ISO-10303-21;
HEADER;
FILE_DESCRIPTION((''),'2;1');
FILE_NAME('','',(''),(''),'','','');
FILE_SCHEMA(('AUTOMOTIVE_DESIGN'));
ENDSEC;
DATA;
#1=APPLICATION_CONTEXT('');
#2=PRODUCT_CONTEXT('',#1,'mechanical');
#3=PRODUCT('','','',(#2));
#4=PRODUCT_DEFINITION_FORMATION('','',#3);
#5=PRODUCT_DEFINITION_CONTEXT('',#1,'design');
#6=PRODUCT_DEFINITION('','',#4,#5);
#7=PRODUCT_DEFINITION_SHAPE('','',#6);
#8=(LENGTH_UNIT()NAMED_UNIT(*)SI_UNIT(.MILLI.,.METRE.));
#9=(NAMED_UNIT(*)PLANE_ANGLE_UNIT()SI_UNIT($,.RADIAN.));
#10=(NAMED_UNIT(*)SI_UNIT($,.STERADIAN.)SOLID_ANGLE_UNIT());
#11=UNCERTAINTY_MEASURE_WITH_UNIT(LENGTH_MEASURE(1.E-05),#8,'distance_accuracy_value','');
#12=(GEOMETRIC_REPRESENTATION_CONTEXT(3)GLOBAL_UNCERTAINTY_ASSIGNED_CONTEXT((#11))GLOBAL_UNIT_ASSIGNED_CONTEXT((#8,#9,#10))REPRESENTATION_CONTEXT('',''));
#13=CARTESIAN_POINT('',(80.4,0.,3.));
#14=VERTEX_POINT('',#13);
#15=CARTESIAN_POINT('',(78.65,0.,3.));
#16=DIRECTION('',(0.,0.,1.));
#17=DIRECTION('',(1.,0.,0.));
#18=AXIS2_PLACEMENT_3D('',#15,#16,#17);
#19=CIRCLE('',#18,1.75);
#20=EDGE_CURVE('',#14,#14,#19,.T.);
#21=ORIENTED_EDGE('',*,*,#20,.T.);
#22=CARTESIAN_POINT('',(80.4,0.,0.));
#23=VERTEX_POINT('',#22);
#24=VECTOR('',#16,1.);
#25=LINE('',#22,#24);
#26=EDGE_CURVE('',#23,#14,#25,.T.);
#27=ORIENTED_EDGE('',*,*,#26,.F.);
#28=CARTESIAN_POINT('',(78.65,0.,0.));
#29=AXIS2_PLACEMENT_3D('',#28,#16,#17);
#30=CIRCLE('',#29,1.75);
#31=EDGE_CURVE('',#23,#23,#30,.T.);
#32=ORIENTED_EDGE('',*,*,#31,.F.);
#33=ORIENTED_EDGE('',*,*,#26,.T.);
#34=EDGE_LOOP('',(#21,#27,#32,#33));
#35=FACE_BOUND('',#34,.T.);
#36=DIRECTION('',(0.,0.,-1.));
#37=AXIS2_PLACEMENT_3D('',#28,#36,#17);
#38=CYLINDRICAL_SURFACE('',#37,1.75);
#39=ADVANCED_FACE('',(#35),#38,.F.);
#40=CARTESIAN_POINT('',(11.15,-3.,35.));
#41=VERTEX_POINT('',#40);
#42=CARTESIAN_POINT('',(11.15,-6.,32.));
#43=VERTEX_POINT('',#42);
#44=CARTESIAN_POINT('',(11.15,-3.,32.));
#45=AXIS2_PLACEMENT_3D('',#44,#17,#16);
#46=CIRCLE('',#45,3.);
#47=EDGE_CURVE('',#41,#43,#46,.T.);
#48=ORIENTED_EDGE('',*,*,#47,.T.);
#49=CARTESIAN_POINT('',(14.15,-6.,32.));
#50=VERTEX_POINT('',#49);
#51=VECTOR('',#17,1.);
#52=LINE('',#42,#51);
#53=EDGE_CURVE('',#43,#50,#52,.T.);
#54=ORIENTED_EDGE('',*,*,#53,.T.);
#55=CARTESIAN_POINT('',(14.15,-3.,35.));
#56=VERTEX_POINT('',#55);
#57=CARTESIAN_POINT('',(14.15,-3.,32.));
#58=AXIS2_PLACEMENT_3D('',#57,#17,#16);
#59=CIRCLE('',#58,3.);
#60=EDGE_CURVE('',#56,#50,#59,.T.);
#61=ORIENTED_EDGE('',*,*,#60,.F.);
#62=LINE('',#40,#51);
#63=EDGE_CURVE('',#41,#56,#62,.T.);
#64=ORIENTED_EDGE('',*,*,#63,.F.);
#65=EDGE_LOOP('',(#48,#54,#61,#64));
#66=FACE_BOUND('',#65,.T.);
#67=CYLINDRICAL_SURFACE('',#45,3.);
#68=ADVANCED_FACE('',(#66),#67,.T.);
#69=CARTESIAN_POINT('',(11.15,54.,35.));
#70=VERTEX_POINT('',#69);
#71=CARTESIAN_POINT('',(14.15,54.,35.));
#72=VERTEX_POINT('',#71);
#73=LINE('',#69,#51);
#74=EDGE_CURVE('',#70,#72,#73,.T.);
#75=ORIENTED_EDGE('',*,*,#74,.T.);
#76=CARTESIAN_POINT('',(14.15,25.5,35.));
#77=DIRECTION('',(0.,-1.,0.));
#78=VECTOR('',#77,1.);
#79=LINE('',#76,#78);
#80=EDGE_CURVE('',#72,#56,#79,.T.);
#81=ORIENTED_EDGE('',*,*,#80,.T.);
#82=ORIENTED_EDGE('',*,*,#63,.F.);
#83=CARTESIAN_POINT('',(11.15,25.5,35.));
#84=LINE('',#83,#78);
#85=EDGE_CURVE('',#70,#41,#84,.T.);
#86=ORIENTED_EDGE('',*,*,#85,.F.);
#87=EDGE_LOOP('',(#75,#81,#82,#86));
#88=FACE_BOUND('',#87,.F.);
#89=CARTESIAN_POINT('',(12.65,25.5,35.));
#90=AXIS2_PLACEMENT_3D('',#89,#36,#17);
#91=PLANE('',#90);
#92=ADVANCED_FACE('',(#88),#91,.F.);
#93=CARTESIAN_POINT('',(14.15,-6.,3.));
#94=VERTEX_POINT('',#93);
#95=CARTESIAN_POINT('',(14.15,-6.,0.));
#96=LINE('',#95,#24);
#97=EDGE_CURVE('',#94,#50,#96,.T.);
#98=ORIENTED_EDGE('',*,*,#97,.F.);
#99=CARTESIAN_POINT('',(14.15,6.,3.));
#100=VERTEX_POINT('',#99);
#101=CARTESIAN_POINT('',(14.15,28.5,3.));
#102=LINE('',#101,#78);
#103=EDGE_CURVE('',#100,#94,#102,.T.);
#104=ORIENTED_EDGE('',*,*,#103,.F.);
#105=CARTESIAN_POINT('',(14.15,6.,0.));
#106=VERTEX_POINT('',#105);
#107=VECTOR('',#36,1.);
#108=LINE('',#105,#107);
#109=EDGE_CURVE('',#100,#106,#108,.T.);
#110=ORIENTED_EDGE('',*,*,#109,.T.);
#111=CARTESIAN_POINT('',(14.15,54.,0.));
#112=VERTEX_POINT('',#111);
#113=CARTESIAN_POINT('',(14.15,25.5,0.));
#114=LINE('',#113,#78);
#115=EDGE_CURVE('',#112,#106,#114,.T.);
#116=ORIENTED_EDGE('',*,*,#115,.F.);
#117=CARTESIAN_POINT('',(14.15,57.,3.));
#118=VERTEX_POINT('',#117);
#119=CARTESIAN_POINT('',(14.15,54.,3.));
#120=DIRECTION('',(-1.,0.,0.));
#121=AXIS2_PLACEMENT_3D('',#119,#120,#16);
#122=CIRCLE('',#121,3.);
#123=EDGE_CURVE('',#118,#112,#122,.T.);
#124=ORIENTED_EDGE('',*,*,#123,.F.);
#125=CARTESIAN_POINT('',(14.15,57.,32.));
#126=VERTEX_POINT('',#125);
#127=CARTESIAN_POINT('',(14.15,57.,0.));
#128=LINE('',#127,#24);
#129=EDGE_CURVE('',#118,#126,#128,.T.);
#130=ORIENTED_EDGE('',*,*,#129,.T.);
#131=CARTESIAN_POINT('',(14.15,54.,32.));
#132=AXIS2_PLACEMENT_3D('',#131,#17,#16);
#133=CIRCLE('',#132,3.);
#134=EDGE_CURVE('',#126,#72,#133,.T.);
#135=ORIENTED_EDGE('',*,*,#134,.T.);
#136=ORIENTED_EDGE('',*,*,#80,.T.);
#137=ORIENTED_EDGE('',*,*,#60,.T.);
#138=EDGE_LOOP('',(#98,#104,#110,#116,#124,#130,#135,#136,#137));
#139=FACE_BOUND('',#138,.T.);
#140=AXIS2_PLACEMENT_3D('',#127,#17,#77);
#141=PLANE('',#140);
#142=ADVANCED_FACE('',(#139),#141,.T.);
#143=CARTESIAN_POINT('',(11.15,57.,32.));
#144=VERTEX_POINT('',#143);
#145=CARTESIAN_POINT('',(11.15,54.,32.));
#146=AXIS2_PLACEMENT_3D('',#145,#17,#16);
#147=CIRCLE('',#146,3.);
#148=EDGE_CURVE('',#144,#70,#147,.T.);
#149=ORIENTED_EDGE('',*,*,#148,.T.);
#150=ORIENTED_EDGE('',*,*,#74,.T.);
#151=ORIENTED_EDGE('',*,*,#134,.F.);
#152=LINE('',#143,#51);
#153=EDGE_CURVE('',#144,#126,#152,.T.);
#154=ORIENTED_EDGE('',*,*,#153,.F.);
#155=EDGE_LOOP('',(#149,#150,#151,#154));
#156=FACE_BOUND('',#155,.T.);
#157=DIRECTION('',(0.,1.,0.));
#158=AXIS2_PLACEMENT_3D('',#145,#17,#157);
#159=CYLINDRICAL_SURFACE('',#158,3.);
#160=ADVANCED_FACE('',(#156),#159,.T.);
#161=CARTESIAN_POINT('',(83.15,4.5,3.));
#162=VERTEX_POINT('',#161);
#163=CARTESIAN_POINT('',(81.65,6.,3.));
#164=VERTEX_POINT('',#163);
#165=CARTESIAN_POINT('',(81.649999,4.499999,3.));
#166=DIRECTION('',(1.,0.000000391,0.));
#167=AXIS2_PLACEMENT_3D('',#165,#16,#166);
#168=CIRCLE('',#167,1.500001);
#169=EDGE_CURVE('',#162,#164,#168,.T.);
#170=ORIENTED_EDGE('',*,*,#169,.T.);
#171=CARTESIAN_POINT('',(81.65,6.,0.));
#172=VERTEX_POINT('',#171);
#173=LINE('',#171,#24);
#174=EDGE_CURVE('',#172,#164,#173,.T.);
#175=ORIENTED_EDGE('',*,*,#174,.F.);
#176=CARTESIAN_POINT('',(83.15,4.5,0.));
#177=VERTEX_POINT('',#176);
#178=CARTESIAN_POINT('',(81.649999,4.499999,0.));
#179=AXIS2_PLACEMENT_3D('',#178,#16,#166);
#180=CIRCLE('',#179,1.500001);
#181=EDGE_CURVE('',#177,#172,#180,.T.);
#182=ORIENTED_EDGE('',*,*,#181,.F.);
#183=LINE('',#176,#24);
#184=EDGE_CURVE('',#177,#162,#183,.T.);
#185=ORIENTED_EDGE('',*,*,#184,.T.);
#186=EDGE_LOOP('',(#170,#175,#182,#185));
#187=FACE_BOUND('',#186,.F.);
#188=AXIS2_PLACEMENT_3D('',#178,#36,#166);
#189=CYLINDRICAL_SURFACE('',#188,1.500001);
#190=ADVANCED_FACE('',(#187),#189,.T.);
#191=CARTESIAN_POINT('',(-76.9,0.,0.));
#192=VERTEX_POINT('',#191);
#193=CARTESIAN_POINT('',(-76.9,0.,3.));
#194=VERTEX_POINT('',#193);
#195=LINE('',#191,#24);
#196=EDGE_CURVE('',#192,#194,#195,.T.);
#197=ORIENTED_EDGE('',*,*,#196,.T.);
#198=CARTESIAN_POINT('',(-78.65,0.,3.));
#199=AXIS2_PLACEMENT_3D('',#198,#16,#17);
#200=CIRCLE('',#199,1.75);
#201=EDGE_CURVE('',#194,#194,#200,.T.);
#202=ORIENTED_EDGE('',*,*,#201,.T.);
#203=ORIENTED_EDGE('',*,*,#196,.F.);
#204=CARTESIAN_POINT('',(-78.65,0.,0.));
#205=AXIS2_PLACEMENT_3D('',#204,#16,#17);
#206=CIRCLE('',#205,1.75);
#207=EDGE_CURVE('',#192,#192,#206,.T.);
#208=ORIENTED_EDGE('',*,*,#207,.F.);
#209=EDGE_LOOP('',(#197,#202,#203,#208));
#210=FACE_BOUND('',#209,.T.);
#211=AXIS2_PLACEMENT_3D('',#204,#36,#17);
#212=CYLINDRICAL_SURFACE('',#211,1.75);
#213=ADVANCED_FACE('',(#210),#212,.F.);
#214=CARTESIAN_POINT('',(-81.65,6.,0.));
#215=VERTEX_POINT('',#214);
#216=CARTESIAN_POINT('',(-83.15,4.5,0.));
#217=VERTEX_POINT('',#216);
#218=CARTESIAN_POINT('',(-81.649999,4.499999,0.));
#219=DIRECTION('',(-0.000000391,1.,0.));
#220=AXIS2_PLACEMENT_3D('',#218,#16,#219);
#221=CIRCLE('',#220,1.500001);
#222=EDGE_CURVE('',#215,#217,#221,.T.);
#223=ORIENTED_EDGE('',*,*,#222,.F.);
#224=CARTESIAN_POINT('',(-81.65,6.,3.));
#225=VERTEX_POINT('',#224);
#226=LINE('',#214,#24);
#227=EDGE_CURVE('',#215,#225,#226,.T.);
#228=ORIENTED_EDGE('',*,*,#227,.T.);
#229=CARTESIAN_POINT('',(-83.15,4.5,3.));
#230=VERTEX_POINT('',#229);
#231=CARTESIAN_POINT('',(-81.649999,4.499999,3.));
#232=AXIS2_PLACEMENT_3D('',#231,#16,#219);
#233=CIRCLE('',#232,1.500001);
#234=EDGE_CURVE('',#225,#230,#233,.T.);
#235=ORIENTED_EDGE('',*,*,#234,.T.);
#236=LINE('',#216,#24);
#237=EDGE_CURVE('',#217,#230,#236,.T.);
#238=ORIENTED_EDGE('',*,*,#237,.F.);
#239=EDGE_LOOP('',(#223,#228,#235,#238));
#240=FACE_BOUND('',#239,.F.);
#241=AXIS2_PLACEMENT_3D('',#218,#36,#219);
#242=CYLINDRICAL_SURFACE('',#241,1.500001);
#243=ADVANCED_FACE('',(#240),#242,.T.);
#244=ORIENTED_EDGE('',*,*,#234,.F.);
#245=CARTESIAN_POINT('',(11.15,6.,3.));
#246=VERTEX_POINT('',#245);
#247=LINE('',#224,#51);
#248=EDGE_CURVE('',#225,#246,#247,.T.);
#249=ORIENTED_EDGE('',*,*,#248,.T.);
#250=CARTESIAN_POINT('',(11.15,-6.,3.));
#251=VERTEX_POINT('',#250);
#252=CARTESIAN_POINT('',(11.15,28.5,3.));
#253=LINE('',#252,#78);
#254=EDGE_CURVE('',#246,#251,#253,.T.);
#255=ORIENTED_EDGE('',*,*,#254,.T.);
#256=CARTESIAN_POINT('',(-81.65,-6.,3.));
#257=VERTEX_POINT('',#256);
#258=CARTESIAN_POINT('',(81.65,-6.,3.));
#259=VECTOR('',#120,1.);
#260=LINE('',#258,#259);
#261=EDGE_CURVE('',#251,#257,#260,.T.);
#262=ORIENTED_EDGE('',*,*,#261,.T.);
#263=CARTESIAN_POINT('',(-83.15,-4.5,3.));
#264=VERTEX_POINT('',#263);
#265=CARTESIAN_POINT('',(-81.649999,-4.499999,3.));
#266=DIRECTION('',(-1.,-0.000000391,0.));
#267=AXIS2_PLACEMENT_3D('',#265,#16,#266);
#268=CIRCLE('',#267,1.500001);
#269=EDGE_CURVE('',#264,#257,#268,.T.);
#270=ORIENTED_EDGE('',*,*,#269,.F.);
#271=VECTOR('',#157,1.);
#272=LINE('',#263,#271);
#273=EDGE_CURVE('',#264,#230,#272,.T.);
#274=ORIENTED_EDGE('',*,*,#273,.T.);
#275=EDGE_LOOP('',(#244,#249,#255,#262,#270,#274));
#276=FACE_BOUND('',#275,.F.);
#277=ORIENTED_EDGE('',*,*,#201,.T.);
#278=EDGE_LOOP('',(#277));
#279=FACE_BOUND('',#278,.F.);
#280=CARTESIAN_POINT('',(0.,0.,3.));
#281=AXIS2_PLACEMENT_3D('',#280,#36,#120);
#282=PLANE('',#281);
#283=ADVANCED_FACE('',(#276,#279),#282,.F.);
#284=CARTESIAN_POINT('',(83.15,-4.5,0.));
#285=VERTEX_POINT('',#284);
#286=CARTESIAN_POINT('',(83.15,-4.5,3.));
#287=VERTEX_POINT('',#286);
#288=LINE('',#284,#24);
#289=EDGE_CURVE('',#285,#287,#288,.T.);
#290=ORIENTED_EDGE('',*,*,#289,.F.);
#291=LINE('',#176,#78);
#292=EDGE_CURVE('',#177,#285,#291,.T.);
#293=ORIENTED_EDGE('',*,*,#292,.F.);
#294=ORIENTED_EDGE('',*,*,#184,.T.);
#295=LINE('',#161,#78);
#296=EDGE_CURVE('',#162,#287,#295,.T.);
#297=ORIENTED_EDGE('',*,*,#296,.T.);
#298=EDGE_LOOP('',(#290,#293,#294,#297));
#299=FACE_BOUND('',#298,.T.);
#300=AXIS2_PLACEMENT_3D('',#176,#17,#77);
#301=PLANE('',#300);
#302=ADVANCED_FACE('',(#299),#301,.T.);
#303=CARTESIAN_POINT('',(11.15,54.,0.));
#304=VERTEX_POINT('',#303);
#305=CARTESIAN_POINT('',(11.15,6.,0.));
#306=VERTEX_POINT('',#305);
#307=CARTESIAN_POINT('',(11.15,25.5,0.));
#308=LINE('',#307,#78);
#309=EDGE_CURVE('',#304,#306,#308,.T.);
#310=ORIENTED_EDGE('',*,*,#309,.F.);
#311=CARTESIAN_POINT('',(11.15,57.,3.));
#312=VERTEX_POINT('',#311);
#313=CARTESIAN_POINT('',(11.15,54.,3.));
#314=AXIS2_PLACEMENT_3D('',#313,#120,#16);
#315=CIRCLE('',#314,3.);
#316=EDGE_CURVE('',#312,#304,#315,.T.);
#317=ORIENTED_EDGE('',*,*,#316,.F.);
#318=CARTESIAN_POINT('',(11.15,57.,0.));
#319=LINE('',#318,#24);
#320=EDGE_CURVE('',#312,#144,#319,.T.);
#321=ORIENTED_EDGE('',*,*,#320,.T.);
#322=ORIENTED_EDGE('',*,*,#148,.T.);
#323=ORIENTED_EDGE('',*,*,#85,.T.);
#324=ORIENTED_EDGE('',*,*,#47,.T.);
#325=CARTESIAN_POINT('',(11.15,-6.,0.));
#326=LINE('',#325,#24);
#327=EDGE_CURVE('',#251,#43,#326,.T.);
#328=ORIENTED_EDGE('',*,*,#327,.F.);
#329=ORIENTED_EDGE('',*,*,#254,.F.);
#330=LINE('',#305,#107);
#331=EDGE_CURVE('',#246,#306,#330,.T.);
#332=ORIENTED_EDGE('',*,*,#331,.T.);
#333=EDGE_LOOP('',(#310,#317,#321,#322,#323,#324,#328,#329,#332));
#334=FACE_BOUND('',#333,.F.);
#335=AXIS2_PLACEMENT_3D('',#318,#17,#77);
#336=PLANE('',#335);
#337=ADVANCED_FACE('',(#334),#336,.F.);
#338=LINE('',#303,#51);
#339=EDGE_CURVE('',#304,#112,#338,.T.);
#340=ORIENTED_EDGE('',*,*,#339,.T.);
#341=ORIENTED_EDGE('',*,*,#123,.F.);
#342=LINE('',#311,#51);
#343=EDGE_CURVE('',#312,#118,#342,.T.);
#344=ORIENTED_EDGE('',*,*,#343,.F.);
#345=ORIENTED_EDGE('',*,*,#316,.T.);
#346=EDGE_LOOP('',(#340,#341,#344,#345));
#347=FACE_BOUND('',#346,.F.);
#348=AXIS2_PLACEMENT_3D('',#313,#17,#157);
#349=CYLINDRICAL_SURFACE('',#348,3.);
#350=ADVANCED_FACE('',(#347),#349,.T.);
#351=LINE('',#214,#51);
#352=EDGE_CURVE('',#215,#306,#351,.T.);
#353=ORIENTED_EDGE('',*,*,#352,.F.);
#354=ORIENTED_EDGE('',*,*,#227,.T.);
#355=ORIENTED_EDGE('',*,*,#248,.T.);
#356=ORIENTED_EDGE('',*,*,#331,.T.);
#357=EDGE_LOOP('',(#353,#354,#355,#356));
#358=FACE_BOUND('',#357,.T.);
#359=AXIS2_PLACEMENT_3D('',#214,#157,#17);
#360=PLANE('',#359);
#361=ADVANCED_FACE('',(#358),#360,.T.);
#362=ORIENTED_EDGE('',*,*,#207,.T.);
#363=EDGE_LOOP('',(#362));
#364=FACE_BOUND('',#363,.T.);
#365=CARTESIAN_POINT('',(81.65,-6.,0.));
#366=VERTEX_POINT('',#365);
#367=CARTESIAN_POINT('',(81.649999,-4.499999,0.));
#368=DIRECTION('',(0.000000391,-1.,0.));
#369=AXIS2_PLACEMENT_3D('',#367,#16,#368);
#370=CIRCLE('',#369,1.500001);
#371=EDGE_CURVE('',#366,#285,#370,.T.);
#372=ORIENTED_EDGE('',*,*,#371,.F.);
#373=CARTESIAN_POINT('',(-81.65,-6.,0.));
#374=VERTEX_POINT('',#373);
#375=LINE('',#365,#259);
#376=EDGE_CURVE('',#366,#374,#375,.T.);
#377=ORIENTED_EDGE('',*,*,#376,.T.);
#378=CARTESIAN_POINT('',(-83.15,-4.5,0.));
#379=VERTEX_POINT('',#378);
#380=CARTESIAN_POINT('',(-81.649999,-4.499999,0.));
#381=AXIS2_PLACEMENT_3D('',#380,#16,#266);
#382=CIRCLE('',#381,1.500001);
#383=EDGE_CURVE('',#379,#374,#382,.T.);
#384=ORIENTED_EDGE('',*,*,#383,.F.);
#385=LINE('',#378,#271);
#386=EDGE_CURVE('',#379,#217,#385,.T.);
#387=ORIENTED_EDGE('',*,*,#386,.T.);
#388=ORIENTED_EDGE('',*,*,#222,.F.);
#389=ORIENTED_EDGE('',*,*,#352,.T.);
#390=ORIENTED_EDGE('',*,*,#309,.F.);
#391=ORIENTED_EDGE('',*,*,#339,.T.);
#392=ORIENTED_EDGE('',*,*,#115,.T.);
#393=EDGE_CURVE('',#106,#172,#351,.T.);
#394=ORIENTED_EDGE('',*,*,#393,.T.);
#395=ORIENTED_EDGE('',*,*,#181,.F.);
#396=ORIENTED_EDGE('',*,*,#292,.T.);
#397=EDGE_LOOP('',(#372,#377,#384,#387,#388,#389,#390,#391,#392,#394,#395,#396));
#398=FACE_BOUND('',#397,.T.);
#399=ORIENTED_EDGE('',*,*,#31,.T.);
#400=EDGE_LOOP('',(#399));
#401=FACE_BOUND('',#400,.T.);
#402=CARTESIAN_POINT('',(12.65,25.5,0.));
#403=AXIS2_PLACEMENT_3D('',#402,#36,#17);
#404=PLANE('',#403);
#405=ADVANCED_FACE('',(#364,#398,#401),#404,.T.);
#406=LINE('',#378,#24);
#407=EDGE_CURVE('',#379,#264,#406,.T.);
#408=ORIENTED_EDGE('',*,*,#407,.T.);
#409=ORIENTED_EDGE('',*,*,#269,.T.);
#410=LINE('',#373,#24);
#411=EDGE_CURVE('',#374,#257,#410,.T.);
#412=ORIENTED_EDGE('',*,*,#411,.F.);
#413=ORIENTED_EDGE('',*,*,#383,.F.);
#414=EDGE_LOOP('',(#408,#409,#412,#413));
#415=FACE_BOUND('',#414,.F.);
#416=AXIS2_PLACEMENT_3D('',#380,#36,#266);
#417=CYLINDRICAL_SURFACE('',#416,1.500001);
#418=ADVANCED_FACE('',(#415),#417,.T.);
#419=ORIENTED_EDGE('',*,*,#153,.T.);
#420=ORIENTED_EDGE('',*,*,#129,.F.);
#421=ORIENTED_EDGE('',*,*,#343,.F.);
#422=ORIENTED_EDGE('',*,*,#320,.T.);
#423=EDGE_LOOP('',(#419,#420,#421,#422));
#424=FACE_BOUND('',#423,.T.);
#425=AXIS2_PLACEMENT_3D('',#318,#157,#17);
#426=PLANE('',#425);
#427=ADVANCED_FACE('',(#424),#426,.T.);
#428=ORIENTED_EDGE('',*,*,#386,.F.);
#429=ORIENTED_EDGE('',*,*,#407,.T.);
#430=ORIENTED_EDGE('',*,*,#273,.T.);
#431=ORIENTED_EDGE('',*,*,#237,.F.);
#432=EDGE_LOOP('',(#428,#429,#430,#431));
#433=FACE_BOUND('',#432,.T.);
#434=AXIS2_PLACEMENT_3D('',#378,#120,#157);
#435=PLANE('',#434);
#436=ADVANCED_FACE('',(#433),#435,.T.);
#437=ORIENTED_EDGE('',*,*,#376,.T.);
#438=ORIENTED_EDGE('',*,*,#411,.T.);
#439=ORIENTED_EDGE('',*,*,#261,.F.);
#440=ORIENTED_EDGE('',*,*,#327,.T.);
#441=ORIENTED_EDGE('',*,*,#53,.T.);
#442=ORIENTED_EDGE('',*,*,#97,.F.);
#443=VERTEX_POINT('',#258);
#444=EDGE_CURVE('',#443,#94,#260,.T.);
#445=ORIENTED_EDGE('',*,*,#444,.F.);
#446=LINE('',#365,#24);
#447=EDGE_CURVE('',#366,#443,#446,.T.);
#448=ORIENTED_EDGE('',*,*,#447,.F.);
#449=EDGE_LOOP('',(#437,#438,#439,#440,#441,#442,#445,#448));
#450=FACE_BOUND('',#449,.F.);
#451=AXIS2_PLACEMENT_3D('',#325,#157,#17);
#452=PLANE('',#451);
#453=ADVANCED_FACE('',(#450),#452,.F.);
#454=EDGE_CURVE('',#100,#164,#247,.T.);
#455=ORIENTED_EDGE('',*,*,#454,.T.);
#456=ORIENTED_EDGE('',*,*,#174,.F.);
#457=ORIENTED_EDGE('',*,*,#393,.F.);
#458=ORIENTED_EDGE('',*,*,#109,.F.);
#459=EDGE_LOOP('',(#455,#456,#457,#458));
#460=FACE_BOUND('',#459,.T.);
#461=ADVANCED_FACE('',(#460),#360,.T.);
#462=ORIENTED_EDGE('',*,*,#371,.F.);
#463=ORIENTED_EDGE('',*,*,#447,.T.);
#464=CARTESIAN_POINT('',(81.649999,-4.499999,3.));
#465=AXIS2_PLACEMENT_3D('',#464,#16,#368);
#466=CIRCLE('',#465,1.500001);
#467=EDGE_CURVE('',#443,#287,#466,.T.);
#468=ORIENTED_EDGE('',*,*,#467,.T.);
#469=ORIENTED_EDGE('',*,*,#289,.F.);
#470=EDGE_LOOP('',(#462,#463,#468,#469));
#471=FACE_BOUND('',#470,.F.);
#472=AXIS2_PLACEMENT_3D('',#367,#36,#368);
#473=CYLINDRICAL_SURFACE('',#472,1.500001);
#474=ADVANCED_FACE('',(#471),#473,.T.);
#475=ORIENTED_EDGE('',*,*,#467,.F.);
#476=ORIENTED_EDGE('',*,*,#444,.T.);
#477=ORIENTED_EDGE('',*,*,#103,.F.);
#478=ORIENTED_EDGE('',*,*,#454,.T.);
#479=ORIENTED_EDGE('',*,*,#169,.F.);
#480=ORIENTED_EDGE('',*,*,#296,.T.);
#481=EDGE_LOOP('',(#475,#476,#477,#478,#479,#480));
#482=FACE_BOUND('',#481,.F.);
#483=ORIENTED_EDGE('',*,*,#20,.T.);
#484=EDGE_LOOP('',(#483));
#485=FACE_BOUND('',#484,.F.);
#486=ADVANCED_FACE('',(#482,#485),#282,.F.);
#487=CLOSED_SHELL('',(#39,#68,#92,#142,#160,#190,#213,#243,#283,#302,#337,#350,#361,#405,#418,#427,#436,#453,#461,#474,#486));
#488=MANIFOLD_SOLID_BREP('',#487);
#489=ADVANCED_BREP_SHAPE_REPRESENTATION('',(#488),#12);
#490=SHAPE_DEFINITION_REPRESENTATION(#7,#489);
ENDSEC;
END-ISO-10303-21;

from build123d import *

# Parameters (mm, degrees)
SKETCH_R     = 1.75
PAD_DEPTH    = 3
SKETCH001_W  = 3
SKETCH001_H  = 63
PAD001_DEPTH = 35
FILLET_R     = 3


with BuildPart() as part:
    # Sketch → Pad (new body)
    with BuildSketch(Plane.XY):
        with BuildLine():
            Line((-81.65, 6), (81.65, 6))
            ThreePointArc((83.15, 4.5), (82.71066, 5.56066), (81.65, 6))
            Line((83.15, 4.5), (83.15, -4.5))
            ThreePointArc((81.65, -6), (82.71066, -5.56066), (83.15, -4.5))
            Line((81.65, -6), (-81.65, -6))
            ThreePointArc((-83.15, -4.5), (-82.71066, -5.56066), (-81.65, -6))
            Line((-83.15, -4.5), (-83.15, 4.5))
            ThreePointArc((-81.65, 6), (-82.71066, 5.56066), (-83.15, 4.5))
        make_face()
        with Locations((-78.65, 0)):
            Circle(SKETCH_R, mode=Mode.SUBTRACT)
        with Locations((78.65, 0)):
            Circle(SKETCH_R, mode=Mode.SUBTRACT)
    extrude(amount=PAD_DEPTH)

    # Sketch001 (on Face11 of Pad) → Pad001 (join)
    with BuildSketch(Plane(origin=(0, 0, 0), x_dir=(1, 0, 0), z_dir=(0, 0, -1))):
        with Locations((12.65, -25.5)):
            Rectangle(SKETCH001_W, SKETCH001_H)
    extrude(amount=-PAD001_DEPTH)

    # Fillet
    fillet_edges = [part.edges().sort_by_distance(p)[0] for p in [
        (12.65, -6, 35),
        (12.65, 57, 35),
        (12.65, 57, 0),
    ]]
    fillet(fillet_edges, radius=FILLET_R)


solid = part.part
